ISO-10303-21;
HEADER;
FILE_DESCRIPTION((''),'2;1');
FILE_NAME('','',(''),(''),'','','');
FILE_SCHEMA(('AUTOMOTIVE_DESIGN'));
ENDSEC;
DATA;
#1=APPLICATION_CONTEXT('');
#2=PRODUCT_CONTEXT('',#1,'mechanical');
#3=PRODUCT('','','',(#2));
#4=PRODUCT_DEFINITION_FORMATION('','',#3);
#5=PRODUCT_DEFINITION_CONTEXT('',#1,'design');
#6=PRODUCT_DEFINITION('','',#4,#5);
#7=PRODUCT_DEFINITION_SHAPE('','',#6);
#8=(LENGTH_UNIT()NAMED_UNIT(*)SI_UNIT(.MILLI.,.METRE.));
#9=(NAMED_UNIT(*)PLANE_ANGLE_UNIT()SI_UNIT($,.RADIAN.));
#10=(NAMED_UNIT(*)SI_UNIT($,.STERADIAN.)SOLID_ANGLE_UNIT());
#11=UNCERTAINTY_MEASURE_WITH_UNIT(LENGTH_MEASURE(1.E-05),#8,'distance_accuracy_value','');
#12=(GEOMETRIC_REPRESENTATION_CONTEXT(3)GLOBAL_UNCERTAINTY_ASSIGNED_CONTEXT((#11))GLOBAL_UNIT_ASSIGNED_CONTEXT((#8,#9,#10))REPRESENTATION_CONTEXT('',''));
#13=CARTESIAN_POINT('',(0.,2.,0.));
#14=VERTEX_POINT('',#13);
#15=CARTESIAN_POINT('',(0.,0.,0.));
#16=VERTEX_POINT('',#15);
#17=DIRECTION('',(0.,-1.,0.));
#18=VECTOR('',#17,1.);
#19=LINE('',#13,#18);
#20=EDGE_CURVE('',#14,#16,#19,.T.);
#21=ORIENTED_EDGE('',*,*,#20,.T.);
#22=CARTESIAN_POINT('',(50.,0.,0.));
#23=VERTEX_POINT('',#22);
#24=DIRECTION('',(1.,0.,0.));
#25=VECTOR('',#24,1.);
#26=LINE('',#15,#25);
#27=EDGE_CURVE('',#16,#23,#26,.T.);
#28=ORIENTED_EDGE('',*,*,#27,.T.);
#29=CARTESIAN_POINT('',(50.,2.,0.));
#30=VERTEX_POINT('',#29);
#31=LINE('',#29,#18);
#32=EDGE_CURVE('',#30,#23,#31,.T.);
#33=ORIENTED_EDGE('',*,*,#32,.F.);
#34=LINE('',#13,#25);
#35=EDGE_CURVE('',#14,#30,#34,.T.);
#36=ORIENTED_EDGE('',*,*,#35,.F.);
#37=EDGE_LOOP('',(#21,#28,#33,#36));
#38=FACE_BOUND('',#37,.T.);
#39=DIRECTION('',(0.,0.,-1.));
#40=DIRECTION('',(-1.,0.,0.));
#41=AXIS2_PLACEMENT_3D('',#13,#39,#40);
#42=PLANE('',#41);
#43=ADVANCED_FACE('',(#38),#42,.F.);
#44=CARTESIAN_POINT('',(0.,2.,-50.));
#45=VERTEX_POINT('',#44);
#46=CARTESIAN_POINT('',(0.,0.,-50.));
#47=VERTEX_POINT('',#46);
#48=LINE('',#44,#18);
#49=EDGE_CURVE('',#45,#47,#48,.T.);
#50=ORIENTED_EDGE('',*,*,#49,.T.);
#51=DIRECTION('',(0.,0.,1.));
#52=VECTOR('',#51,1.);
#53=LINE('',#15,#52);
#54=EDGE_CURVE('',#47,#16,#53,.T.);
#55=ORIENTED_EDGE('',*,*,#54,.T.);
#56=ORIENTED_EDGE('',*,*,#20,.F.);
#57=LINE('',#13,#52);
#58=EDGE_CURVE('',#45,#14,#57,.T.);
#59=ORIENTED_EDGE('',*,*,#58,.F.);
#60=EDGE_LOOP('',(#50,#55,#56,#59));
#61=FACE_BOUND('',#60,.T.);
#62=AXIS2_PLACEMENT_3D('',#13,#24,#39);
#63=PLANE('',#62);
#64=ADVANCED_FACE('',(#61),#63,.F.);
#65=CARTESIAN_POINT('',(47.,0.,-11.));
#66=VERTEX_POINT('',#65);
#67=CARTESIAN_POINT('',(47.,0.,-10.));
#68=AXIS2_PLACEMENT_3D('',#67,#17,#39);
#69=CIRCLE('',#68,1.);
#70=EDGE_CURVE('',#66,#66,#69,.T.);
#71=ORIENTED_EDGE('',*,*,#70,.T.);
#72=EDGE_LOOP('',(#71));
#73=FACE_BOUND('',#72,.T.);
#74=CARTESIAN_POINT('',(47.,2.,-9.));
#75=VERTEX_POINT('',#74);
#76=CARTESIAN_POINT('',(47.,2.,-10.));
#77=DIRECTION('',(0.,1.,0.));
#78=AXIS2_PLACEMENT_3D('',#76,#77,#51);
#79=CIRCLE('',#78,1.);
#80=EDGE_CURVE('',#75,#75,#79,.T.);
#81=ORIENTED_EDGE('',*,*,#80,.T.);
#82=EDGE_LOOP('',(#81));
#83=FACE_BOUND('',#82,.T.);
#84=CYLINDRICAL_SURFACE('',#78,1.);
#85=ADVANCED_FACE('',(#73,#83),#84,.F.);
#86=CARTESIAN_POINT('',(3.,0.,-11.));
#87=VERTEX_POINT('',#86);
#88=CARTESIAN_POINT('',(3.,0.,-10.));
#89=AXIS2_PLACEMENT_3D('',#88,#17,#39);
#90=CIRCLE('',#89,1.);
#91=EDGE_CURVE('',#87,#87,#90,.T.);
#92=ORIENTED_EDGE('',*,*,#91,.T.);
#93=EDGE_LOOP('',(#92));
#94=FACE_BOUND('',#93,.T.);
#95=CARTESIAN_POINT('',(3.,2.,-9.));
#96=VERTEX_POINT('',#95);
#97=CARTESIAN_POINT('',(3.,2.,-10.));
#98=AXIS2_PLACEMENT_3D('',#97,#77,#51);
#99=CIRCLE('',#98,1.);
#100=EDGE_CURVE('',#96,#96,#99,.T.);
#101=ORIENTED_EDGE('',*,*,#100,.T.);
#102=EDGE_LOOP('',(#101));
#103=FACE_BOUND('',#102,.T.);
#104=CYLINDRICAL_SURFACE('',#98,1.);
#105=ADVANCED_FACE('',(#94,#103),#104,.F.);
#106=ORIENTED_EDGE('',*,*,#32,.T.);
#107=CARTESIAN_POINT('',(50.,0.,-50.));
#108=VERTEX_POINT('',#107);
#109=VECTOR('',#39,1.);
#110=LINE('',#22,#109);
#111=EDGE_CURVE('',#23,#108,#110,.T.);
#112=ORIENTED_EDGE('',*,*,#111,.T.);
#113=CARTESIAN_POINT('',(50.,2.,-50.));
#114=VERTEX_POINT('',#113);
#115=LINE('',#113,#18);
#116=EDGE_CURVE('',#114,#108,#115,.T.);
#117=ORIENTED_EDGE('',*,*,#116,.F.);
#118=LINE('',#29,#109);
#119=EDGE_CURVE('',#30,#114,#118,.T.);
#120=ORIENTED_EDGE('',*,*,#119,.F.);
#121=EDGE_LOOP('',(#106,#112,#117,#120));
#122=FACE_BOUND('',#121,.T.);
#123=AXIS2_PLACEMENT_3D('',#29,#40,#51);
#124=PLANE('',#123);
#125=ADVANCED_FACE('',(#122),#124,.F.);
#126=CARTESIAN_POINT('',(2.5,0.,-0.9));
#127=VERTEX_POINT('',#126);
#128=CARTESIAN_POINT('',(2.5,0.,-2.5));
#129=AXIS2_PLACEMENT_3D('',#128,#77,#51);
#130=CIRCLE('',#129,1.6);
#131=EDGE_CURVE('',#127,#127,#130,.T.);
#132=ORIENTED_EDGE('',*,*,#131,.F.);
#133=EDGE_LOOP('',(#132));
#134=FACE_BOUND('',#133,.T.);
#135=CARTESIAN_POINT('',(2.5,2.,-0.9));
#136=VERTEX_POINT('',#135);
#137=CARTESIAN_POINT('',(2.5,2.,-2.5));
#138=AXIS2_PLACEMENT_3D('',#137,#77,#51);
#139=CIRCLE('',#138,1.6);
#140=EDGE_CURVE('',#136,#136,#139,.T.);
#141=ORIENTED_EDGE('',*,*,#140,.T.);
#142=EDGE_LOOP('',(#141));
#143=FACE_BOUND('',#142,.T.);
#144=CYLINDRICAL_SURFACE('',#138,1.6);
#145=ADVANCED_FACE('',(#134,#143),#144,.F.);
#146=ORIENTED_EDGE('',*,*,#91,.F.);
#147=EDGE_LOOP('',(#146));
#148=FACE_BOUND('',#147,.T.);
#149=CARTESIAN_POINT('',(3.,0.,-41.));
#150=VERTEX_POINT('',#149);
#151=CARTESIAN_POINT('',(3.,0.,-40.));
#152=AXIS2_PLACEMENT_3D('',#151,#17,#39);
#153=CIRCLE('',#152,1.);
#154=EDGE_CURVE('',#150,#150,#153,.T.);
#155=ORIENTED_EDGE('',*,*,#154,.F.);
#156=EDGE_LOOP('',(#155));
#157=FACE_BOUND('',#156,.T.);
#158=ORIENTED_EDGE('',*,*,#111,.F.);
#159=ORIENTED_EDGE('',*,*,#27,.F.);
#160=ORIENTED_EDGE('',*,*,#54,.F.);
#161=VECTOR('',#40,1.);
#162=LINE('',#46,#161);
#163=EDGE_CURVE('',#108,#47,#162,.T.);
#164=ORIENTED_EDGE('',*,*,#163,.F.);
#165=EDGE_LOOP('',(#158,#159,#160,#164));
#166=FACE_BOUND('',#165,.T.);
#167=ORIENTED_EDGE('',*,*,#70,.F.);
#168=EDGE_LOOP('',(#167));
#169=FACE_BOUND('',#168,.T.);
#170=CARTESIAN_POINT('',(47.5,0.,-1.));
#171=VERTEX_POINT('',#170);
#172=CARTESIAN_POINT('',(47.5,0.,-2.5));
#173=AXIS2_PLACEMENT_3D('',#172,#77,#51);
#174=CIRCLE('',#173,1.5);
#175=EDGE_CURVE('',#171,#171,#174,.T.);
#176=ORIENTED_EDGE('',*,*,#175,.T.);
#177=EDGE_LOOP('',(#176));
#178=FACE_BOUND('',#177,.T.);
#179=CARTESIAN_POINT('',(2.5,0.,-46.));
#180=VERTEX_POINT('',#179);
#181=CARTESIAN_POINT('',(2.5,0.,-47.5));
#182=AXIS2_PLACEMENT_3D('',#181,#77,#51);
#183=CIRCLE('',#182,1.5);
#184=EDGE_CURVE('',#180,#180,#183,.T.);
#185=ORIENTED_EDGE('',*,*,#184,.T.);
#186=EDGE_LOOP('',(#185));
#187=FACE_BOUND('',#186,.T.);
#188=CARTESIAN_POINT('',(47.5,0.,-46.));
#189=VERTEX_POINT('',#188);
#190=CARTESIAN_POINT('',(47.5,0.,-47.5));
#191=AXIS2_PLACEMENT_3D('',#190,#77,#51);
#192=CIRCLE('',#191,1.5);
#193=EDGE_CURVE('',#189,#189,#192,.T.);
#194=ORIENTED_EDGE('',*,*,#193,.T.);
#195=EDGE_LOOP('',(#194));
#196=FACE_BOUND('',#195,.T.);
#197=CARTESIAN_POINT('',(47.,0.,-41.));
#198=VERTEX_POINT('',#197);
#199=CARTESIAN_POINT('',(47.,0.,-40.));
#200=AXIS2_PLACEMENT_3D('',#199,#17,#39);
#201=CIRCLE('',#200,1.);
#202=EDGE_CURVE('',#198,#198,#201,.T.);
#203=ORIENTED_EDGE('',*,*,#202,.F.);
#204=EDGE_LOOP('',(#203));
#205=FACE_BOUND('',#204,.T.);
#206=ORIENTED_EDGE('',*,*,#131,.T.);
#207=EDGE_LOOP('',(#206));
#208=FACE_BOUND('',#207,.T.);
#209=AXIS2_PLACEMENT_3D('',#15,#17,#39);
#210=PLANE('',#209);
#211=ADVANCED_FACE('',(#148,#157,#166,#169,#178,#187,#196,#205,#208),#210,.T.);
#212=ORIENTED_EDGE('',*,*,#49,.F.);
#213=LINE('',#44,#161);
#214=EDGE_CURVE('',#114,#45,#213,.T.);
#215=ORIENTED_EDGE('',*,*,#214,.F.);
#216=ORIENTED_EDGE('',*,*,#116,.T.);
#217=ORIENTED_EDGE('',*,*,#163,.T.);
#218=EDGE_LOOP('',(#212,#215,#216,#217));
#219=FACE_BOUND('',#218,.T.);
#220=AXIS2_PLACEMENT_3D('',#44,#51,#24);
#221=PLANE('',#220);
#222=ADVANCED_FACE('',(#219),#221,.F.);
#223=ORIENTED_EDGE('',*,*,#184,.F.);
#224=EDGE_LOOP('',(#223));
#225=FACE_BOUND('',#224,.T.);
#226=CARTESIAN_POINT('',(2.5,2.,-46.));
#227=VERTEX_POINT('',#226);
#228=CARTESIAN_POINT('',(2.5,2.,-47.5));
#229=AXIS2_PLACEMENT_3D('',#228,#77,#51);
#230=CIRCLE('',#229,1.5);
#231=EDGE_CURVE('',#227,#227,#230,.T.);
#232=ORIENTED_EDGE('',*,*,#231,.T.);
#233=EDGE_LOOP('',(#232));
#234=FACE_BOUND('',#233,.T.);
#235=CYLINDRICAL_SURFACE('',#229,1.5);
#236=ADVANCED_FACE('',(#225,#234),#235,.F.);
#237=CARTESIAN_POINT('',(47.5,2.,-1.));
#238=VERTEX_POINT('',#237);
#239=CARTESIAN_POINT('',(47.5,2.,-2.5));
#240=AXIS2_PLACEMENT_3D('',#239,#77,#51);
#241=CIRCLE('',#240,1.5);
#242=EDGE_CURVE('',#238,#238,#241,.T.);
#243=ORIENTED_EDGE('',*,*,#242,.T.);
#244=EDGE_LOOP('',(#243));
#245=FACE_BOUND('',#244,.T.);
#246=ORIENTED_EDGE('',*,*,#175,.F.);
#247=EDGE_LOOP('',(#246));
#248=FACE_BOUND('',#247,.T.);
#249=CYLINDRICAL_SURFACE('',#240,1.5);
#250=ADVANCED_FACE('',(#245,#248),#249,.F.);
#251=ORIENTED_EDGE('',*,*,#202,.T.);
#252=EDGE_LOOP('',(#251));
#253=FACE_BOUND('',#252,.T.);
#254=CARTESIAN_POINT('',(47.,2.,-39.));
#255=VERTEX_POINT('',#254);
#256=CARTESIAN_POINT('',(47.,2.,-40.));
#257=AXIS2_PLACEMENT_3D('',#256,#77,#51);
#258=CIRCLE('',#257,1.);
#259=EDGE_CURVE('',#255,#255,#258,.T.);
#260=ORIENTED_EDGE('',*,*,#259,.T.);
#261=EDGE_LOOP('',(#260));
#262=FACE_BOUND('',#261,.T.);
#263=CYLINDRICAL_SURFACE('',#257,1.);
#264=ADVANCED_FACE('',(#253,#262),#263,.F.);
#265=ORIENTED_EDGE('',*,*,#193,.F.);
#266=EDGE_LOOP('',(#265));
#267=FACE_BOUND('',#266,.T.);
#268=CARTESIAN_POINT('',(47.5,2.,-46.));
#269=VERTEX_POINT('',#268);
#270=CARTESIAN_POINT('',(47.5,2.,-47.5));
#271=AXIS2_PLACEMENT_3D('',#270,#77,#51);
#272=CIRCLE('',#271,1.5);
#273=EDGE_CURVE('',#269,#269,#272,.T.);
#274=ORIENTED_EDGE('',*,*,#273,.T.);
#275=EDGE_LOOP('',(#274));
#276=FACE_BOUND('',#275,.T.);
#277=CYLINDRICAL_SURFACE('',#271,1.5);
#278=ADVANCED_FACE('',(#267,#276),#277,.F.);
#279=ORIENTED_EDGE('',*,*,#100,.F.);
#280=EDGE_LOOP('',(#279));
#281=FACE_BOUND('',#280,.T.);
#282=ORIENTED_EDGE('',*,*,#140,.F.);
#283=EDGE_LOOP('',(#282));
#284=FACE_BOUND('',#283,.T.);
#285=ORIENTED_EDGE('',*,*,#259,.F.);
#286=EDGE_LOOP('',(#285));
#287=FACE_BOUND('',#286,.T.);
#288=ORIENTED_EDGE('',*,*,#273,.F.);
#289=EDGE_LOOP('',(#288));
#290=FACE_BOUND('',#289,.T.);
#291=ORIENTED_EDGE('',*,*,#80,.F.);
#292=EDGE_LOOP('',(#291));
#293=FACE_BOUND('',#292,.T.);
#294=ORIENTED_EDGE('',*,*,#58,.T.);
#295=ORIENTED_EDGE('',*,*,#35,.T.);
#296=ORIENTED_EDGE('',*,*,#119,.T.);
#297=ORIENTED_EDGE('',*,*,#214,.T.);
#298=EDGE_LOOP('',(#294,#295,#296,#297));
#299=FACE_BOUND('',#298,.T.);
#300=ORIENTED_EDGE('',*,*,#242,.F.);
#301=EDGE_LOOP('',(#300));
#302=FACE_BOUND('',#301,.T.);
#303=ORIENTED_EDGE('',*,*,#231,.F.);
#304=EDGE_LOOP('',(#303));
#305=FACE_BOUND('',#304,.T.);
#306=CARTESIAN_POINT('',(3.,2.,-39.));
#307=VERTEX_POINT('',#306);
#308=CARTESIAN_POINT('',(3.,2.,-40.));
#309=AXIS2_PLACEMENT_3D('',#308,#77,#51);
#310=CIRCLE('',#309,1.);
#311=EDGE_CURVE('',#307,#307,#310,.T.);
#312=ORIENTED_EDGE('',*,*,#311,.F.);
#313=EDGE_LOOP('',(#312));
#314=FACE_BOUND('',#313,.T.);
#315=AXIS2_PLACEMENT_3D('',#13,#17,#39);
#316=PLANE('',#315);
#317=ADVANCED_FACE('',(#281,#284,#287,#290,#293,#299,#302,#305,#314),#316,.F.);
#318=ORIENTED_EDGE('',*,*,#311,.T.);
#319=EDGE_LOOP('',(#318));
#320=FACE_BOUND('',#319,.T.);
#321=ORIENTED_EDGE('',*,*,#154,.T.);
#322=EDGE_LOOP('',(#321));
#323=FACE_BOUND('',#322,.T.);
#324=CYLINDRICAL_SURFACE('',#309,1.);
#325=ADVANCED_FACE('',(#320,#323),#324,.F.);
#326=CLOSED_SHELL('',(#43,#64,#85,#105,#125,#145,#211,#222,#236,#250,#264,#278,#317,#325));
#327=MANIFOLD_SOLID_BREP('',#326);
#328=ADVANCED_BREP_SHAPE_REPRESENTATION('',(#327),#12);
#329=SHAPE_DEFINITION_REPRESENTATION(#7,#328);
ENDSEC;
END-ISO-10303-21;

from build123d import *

# Parameters (mm, degrees)
SKETCH1_W                = 50
SKETCH1_H                = 50
BOSS_EXTRUDE1_DEPTH      = 2
M3_CLEARANCE_HOLE1_D     = 3.2
M3_CLEARANCE_HOLE2_D     = 3
M2_CLEARANCE_HOLE1_D     = 2
M2_CLEARANCE_HOLE1_DEPTH = 10
M2_CLEARANCE_HOLE1_TIP   = 0.600860619


with BuildPart() as part:
    # Sketch1 → Boss-Extrude1 (new body)
    with BuildSketch(Plane(origin=(0, 0, 0), x_dir=(1, 0, 0), z_dir=(0, 1, 0))):
        with Locations((25, 25)):
            Rectangle(SKETCH1_W, SKETCH1_H)
    extrude(amount=BOSS_EXTRUDE1_DEPTH)

    # M3 Clearance Hole1 (through all)
    with Locations(Plane(origin=(0, 2, 0), x_dir=(1, 0, 0), z_dir=(0, 1, 0))):
        with Locations((2.5, 2.5)):
            Hole(M3_CLEARANCE_HOLE1_D / 2)

    # M3 Clearance Hole2 (through all)
    with Locations(Plane(origin=(0, 2, 0), x_dir=(1, 0, 0), z_dir=(0, 1, 0))):
        with Locations((47.5, 2.5), (47.5, 47.5), (2.5, 47.5)):
            Hole(M3_CLEARANCE_HOLE2_D / 2)

    # M2 Clearance Hole1
    with Locations(Plane(origin=(0, 2, 0), x_dir=(1, 0, 0), z_dir=(0, 1, 0))):
        with Locations((3, 10), (3, 40), (47, 40), (47, 10)):
            Hole(M2_CLEARANCE_HOLE1_D / 2, depth=M2_CLEARANCE_HOLE1_DEPTH)
            with Locations((0, 0, -(M2_CLEARANCE_HOLE1_DEPTH + M2_CLEARANCE_HOLE1_TIP / 2))):  # 118° drill point
                Cone(0, M2_CLEARANCE_HOLE1_D / 2, M2_CLEARANCE_HOLE1_TIP, mode=Mode.SUBTRACT)


solid = part.part
